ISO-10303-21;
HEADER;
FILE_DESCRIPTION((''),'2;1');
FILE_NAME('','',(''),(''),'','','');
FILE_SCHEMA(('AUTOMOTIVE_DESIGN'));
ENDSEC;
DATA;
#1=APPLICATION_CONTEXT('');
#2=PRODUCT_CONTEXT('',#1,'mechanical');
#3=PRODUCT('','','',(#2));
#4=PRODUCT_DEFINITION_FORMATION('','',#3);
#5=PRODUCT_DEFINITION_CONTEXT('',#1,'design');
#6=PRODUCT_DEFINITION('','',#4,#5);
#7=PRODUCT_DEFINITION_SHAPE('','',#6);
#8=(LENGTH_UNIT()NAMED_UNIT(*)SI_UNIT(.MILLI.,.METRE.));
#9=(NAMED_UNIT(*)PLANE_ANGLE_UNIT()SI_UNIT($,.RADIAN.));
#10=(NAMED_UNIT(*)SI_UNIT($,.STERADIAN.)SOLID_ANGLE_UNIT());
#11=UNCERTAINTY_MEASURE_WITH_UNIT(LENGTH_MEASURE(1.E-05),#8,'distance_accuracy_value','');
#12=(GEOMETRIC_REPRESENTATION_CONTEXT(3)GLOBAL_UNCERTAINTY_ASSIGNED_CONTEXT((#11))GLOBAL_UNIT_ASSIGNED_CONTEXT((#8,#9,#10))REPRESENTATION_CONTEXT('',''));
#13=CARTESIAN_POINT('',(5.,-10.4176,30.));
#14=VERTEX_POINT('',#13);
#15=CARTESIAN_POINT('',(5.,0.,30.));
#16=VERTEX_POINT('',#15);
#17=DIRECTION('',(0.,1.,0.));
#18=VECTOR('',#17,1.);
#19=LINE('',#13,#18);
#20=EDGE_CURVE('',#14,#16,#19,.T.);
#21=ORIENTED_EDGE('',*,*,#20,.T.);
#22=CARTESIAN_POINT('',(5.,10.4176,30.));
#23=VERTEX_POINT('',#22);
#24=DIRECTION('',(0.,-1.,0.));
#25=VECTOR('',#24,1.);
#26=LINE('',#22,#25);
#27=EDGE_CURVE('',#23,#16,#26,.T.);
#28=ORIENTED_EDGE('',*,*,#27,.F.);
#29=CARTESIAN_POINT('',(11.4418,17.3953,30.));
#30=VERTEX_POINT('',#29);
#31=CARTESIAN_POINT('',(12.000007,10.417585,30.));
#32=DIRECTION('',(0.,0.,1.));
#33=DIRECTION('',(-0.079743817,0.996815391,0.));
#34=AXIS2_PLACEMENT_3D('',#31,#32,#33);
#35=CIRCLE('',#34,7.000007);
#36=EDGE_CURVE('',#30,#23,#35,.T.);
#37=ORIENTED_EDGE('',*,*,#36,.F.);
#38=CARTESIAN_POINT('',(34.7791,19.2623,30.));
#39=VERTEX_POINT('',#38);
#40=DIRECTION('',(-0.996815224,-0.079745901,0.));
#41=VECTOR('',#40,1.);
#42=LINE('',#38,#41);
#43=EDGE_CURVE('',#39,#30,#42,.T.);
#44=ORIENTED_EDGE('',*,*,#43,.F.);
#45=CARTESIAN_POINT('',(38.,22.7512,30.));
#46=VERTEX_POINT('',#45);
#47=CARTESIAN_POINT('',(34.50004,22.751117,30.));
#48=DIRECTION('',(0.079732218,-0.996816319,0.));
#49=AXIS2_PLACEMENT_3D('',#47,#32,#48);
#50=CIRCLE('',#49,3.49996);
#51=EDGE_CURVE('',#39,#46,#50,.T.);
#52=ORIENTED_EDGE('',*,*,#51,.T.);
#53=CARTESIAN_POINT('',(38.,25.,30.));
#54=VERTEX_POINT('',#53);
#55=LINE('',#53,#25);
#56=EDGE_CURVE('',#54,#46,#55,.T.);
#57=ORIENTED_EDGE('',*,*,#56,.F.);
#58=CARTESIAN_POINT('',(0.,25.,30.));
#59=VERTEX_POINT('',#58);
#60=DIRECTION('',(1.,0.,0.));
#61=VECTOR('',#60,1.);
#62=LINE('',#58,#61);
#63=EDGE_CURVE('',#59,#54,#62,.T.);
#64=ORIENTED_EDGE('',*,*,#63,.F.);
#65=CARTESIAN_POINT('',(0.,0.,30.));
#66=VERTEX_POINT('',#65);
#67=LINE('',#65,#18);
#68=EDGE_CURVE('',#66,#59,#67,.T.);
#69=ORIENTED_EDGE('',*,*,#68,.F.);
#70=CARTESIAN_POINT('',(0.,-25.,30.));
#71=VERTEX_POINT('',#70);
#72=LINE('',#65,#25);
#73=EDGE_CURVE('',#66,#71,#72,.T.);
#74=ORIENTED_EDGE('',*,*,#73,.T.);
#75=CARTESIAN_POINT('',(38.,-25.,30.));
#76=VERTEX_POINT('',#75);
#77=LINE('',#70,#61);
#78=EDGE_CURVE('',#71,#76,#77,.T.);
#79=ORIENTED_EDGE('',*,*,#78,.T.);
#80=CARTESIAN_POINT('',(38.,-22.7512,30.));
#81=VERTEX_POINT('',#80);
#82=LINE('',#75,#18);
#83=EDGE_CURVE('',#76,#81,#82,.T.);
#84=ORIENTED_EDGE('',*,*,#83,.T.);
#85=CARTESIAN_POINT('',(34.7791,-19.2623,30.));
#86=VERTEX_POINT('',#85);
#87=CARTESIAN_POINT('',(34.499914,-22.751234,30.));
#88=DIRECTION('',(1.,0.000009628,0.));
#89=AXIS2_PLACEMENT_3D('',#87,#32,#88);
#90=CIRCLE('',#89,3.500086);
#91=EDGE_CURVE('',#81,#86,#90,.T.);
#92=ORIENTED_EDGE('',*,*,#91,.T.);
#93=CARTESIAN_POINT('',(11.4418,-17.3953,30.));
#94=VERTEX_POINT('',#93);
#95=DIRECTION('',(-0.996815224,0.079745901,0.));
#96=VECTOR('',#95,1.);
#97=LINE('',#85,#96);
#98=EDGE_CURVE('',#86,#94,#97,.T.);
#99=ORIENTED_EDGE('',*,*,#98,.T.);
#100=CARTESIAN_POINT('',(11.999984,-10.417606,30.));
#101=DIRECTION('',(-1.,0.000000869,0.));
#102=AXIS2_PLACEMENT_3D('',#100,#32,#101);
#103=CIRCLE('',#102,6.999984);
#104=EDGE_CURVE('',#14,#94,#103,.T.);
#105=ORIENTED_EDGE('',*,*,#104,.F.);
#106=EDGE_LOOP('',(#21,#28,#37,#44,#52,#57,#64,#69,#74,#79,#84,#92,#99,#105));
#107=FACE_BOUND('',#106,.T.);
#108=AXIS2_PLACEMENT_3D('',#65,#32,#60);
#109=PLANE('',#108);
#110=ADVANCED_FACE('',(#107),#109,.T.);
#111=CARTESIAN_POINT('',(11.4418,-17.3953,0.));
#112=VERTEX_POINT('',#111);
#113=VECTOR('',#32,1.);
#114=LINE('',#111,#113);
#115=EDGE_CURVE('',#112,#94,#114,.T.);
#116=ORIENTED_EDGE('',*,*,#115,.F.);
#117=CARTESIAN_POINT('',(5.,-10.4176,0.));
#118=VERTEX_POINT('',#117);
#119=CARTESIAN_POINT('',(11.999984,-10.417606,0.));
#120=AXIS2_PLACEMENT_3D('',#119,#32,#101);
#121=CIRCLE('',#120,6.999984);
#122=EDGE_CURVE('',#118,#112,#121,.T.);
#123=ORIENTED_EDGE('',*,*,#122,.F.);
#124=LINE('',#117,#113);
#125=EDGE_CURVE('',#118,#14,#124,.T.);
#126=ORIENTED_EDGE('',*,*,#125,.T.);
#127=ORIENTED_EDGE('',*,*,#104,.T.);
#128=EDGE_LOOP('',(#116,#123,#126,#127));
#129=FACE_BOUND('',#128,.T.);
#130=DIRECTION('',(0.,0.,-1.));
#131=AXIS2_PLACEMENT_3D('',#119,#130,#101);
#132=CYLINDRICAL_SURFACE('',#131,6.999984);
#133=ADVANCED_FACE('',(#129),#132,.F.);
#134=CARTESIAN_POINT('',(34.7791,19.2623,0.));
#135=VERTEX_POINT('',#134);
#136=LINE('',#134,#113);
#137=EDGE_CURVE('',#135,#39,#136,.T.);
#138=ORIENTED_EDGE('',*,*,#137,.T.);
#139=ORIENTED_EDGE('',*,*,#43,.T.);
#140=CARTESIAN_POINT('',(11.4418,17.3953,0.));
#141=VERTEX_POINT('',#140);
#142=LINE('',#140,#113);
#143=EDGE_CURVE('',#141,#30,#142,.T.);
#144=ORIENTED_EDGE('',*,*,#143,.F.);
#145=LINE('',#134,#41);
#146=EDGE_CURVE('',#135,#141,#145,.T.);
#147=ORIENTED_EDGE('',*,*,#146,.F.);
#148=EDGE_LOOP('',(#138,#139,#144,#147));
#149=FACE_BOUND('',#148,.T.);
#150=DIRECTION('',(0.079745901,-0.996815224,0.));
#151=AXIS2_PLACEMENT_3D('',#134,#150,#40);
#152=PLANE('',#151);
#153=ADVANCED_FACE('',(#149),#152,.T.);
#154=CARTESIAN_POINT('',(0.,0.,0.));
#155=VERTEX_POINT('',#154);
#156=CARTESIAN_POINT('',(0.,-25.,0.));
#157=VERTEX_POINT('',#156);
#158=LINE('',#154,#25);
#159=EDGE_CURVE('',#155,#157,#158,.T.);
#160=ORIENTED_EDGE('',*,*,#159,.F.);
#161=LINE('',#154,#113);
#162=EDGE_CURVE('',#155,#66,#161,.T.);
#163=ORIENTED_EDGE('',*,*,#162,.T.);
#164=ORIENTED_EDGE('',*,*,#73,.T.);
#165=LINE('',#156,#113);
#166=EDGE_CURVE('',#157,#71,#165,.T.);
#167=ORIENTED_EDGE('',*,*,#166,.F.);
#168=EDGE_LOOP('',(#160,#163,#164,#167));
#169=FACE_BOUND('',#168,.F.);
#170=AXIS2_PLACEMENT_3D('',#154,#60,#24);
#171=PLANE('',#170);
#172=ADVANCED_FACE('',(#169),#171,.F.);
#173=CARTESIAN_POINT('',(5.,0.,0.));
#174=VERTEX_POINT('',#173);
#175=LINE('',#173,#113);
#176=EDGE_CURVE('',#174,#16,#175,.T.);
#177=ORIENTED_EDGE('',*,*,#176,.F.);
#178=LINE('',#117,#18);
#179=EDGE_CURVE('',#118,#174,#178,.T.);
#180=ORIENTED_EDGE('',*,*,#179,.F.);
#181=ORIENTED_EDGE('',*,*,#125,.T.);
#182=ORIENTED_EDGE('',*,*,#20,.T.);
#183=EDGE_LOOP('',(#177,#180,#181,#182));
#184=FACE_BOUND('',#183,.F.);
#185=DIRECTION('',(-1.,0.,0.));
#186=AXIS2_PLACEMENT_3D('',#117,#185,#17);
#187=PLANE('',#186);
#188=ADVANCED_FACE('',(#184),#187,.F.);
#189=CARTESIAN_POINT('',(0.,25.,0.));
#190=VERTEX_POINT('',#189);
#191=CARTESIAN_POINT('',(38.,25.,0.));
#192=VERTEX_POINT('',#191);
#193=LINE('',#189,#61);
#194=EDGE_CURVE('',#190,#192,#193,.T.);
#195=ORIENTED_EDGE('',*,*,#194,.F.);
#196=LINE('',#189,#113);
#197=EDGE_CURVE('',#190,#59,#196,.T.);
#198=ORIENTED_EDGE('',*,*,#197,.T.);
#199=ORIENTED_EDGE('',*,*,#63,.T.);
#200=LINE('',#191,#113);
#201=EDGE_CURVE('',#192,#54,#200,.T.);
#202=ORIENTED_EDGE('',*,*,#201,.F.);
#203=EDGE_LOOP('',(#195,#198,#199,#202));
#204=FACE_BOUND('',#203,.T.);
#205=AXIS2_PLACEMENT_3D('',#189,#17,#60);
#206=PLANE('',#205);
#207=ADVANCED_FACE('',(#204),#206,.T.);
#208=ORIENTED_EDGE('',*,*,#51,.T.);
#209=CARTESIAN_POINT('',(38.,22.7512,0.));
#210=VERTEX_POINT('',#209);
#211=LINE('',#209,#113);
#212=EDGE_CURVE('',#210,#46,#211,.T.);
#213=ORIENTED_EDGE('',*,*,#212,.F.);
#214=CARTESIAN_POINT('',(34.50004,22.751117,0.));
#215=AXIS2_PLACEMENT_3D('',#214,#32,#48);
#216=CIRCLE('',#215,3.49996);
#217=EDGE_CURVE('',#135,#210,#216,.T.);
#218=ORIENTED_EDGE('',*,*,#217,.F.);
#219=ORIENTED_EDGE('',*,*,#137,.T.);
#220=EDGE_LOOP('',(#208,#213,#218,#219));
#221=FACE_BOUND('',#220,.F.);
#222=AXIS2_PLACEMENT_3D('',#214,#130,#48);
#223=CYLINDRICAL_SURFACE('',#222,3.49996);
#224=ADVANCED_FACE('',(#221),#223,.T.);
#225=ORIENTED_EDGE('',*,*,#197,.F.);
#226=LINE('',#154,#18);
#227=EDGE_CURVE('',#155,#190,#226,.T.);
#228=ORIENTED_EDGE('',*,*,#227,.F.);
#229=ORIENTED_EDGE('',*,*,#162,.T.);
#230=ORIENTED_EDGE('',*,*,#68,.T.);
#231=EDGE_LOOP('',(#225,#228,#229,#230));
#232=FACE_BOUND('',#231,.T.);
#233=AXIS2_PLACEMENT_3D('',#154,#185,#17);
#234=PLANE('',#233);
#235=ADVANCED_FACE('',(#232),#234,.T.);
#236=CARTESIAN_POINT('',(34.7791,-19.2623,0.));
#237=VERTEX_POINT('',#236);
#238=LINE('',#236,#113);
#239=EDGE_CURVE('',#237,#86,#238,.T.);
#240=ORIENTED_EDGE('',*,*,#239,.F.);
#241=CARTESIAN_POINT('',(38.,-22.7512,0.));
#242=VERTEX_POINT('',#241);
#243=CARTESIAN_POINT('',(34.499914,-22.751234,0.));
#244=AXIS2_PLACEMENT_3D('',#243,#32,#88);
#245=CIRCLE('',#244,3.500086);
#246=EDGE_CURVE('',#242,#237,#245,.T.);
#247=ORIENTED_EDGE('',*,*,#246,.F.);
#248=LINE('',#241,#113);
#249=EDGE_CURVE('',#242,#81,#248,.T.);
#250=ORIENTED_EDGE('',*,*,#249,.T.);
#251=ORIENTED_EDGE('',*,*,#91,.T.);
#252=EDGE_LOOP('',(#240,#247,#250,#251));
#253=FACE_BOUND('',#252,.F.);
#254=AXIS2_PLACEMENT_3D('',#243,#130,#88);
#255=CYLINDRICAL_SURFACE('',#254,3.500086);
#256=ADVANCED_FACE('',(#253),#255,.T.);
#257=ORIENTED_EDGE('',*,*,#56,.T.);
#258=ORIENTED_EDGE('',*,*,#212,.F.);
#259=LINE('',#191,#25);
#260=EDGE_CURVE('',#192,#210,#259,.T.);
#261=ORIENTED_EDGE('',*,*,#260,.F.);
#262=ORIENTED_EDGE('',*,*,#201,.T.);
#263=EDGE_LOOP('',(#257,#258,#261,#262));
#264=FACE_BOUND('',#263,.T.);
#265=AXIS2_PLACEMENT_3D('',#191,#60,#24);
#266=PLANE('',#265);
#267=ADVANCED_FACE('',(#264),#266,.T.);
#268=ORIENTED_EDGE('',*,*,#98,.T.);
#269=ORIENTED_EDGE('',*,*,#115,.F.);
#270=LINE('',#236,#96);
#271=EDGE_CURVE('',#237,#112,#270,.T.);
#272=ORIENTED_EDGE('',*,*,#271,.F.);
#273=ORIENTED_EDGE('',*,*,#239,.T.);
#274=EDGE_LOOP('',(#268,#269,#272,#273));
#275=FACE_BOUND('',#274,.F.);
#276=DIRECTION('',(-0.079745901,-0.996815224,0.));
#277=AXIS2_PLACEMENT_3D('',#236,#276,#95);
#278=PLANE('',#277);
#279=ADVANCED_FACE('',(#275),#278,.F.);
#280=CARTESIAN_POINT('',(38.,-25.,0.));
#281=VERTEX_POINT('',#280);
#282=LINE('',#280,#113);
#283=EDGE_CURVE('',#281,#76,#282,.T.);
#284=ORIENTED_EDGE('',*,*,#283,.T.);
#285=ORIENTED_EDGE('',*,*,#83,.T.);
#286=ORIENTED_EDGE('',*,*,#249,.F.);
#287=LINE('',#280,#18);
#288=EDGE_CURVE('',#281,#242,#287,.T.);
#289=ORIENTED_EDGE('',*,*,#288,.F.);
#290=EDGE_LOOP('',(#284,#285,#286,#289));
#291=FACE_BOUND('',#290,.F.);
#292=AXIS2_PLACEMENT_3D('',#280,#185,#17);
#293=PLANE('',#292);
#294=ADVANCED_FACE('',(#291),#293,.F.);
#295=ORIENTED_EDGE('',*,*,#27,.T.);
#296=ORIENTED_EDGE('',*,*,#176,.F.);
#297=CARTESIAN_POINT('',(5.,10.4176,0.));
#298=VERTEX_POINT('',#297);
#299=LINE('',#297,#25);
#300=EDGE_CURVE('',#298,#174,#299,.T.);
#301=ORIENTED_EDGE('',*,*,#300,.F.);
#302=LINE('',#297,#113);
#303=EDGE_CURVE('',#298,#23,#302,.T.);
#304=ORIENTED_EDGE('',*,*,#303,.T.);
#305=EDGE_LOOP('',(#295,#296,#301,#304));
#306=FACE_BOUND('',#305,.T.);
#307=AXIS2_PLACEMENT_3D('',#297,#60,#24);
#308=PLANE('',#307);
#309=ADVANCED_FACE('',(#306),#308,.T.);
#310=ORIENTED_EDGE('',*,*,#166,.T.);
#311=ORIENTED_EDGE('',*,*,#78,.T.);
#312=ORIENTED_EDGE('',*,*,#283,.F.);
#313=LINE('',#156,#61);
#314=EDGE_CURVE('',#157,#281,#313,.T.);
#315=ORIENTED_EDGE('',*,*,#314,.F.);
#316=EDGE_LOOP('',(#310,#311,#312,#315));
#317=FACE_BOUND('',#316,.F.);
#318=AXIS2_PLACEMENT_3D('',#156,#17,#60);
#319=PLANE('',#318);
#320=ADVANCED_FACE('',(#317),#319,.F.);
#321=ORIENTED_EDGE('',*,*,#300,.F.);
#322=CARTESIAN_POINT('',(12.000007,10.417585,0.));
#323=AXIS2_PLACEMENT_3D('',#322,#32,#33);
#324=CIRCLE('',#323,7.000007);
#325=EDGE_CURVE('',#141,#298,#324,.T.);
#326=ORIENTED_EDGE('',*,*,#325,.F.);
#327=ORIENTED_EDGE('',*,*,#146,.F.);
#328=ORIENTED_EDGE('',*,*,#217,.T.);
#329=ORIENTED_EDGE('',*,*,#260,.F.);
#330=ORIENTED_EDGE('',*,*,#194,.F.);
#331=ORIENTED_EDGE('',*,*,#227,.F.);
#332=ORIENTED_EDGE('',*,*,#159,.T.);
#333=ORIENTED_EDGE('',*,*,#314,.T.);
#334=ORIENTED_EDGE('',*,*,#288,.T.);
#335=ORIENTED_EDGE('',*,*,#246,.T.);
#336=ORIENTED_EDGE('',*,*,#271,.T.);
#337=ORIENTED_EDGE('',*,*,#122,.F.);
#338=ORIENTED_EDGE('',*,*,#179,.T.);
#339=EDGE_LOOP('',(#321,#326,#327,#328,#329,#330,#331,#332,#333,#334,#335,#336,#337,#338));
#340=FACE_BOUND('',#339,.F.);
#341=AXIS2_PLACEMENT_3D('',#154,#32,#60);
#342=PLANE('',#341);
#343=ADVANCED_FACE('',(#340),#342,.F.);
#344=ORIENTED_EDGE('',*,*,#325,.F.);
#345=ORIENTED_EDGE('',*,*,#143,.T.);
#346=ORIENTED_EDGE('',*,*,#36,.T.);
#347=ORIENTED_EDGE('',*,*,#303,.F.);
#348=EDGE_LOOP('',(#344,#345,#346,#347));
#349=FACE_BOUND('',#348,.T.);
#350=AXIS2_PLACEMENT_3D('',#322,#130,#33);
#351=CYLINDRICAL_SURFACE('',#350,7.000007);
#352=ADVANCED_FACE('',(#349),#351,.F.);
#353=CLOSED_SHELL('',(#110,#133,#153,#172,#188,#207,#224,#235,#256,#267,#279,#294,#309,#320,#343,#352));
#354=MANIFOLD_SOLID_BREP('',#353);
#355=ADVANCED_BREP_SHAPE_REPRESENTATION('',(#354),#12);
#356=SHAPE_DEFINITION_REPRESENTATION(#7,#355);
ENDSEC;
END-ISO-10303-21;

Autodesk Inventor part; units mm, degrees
ref_plane "YZ Plane" through (0, 0, 0) normal (1, 0, 0) x (0, 1, 0)
ref_plane "Начальная плоскость" through (0, 0, 0) normal (0, 0, 1) x (1, 0, 0)
ref_plane "Конечная плоскость" through (0, 0, 30) normal (0, 0, 1) x (1, 0, 0)
sketch "Эскиз" plane through (0, 0, 0) normal (0, 0, 1) x (1, 0, 0)
  line L0 (0, 0) -> (0, 25)
  line L1 (0, 25) -> (38, 25)
  line L2 (38, 25) -> (38, 22.7512)
  line L3 (34.7791, 19.2623) -> (11.4418, 17.3953)
  line L4 (5, 10.4176) -> (5, 0)
  line L5 (5, 0) -> (0, 0) construction
  line L6 (19, 25) -> (19, 18) construction
  line L7 (38, 19.52) -> (38, 18) construction
  line L8 (38, 18) -> (19, 18) construction
  line L9 (0, 15) -> (0, -27) construction
  line L10 (-5.539, 0) -> (16.0067, 0) construction
  line L11 (0, 0) -> (0, -25)
  line L12 (0, -25) -> (38, -25)
  line L13 (38, -25) -> (38, -22.7512)
  line L14 (34.7791, -19.2623) -> (11.4418, -17.3953)
  line L15 (5, -10.4176) -> (5, 0)
  arc A0 (11.4418, 17.3953) -> (5, 10.4176) centre (12, 10.4176) ccw
  arc A1 (5, -10.4176) -> (11.4418, -17.3953) centre (12, -10.4176) ccw
  arc A2 (34.7791, 19.2623) -> (38, 22.7512) centre (34.5, 22.7512) ccw
  arc A3 (38, -22.7512) -> (34.7791, -19.2623) centre (34.5, -22.7512) ccw
  line L16 (0, 23.4) -> (0, -35.4) construction
  line L17 (-9.8481, 0) -> (20.3158, 0) construction
  point P0 (5, 16.88)
  point P1 (38, -19.52)
  point P2 (5, -16.88)
  point P3 (19, -25)
  point P4 (19, -18)
  dimension "d0" = 5
  dimension "d1" = 25
  dimension "d2" = 38
  dimension "d3" = 7
  dimension "d4" = 19
  dimension "d5" = 1.52
  dimension "d23" = 7
  dimension "d24" = 3.5
  dimension "d25" = 0
extrude "Базовый элемент" add sketch "Эскиз" along normal up to surface (30 mm away) from surface at 0
sketch "Sketch3" plane through (0, 0, 0) normal (0, 0, 1) x (1, 0, 0)
  line L0 (0, 0) -> (10, 0)
ref_plane "Work Plane3" through (0, 0, 0) normal (0, -1, 0) x (1, 0, 0)
sketch "Sketch4" plane through (0, 0, 0) normal (0, -1, 0) x (1, 0, 0)
  line L0 (-2, 0) -> (12, 0) projected
  line L1 (-2, 30) -> (12, 30) projected
  dimension "d29" = 30
equation "\"d0\" = G_T"
equation "\"d1\" = 0.5 * G_H"
equation "\"d2\" = G_W"
equation "\"d3\" = G_T1"
equation "\"d4\" = G_C"
equation "\"d23\" = G_IR"
equation "\"d24\" = G_ER"
equation "\"d6\" = G_L"
equation "\"G_W\" = 38"
equation "\"G_T\" = 5"
equation "\"G_T1\" = 7"
equation "\"G_NG\" = 0.08"
equation "\"G_ER\" = 3.5"
equation "\"G_IR\" = 7"
equation "\"G_C\" = 19"
equation "\"G_L\" = d29"
equation "\"ex\" = 0"
equation "\"G_OFFSET_START\" = 0"
equation "\"G_OFFSET_END\" = 0"
equation "\"G_H\" = 50"
properties part number "DIN1026-1 - U 50 - 30" material "Сталь, мягкая"
